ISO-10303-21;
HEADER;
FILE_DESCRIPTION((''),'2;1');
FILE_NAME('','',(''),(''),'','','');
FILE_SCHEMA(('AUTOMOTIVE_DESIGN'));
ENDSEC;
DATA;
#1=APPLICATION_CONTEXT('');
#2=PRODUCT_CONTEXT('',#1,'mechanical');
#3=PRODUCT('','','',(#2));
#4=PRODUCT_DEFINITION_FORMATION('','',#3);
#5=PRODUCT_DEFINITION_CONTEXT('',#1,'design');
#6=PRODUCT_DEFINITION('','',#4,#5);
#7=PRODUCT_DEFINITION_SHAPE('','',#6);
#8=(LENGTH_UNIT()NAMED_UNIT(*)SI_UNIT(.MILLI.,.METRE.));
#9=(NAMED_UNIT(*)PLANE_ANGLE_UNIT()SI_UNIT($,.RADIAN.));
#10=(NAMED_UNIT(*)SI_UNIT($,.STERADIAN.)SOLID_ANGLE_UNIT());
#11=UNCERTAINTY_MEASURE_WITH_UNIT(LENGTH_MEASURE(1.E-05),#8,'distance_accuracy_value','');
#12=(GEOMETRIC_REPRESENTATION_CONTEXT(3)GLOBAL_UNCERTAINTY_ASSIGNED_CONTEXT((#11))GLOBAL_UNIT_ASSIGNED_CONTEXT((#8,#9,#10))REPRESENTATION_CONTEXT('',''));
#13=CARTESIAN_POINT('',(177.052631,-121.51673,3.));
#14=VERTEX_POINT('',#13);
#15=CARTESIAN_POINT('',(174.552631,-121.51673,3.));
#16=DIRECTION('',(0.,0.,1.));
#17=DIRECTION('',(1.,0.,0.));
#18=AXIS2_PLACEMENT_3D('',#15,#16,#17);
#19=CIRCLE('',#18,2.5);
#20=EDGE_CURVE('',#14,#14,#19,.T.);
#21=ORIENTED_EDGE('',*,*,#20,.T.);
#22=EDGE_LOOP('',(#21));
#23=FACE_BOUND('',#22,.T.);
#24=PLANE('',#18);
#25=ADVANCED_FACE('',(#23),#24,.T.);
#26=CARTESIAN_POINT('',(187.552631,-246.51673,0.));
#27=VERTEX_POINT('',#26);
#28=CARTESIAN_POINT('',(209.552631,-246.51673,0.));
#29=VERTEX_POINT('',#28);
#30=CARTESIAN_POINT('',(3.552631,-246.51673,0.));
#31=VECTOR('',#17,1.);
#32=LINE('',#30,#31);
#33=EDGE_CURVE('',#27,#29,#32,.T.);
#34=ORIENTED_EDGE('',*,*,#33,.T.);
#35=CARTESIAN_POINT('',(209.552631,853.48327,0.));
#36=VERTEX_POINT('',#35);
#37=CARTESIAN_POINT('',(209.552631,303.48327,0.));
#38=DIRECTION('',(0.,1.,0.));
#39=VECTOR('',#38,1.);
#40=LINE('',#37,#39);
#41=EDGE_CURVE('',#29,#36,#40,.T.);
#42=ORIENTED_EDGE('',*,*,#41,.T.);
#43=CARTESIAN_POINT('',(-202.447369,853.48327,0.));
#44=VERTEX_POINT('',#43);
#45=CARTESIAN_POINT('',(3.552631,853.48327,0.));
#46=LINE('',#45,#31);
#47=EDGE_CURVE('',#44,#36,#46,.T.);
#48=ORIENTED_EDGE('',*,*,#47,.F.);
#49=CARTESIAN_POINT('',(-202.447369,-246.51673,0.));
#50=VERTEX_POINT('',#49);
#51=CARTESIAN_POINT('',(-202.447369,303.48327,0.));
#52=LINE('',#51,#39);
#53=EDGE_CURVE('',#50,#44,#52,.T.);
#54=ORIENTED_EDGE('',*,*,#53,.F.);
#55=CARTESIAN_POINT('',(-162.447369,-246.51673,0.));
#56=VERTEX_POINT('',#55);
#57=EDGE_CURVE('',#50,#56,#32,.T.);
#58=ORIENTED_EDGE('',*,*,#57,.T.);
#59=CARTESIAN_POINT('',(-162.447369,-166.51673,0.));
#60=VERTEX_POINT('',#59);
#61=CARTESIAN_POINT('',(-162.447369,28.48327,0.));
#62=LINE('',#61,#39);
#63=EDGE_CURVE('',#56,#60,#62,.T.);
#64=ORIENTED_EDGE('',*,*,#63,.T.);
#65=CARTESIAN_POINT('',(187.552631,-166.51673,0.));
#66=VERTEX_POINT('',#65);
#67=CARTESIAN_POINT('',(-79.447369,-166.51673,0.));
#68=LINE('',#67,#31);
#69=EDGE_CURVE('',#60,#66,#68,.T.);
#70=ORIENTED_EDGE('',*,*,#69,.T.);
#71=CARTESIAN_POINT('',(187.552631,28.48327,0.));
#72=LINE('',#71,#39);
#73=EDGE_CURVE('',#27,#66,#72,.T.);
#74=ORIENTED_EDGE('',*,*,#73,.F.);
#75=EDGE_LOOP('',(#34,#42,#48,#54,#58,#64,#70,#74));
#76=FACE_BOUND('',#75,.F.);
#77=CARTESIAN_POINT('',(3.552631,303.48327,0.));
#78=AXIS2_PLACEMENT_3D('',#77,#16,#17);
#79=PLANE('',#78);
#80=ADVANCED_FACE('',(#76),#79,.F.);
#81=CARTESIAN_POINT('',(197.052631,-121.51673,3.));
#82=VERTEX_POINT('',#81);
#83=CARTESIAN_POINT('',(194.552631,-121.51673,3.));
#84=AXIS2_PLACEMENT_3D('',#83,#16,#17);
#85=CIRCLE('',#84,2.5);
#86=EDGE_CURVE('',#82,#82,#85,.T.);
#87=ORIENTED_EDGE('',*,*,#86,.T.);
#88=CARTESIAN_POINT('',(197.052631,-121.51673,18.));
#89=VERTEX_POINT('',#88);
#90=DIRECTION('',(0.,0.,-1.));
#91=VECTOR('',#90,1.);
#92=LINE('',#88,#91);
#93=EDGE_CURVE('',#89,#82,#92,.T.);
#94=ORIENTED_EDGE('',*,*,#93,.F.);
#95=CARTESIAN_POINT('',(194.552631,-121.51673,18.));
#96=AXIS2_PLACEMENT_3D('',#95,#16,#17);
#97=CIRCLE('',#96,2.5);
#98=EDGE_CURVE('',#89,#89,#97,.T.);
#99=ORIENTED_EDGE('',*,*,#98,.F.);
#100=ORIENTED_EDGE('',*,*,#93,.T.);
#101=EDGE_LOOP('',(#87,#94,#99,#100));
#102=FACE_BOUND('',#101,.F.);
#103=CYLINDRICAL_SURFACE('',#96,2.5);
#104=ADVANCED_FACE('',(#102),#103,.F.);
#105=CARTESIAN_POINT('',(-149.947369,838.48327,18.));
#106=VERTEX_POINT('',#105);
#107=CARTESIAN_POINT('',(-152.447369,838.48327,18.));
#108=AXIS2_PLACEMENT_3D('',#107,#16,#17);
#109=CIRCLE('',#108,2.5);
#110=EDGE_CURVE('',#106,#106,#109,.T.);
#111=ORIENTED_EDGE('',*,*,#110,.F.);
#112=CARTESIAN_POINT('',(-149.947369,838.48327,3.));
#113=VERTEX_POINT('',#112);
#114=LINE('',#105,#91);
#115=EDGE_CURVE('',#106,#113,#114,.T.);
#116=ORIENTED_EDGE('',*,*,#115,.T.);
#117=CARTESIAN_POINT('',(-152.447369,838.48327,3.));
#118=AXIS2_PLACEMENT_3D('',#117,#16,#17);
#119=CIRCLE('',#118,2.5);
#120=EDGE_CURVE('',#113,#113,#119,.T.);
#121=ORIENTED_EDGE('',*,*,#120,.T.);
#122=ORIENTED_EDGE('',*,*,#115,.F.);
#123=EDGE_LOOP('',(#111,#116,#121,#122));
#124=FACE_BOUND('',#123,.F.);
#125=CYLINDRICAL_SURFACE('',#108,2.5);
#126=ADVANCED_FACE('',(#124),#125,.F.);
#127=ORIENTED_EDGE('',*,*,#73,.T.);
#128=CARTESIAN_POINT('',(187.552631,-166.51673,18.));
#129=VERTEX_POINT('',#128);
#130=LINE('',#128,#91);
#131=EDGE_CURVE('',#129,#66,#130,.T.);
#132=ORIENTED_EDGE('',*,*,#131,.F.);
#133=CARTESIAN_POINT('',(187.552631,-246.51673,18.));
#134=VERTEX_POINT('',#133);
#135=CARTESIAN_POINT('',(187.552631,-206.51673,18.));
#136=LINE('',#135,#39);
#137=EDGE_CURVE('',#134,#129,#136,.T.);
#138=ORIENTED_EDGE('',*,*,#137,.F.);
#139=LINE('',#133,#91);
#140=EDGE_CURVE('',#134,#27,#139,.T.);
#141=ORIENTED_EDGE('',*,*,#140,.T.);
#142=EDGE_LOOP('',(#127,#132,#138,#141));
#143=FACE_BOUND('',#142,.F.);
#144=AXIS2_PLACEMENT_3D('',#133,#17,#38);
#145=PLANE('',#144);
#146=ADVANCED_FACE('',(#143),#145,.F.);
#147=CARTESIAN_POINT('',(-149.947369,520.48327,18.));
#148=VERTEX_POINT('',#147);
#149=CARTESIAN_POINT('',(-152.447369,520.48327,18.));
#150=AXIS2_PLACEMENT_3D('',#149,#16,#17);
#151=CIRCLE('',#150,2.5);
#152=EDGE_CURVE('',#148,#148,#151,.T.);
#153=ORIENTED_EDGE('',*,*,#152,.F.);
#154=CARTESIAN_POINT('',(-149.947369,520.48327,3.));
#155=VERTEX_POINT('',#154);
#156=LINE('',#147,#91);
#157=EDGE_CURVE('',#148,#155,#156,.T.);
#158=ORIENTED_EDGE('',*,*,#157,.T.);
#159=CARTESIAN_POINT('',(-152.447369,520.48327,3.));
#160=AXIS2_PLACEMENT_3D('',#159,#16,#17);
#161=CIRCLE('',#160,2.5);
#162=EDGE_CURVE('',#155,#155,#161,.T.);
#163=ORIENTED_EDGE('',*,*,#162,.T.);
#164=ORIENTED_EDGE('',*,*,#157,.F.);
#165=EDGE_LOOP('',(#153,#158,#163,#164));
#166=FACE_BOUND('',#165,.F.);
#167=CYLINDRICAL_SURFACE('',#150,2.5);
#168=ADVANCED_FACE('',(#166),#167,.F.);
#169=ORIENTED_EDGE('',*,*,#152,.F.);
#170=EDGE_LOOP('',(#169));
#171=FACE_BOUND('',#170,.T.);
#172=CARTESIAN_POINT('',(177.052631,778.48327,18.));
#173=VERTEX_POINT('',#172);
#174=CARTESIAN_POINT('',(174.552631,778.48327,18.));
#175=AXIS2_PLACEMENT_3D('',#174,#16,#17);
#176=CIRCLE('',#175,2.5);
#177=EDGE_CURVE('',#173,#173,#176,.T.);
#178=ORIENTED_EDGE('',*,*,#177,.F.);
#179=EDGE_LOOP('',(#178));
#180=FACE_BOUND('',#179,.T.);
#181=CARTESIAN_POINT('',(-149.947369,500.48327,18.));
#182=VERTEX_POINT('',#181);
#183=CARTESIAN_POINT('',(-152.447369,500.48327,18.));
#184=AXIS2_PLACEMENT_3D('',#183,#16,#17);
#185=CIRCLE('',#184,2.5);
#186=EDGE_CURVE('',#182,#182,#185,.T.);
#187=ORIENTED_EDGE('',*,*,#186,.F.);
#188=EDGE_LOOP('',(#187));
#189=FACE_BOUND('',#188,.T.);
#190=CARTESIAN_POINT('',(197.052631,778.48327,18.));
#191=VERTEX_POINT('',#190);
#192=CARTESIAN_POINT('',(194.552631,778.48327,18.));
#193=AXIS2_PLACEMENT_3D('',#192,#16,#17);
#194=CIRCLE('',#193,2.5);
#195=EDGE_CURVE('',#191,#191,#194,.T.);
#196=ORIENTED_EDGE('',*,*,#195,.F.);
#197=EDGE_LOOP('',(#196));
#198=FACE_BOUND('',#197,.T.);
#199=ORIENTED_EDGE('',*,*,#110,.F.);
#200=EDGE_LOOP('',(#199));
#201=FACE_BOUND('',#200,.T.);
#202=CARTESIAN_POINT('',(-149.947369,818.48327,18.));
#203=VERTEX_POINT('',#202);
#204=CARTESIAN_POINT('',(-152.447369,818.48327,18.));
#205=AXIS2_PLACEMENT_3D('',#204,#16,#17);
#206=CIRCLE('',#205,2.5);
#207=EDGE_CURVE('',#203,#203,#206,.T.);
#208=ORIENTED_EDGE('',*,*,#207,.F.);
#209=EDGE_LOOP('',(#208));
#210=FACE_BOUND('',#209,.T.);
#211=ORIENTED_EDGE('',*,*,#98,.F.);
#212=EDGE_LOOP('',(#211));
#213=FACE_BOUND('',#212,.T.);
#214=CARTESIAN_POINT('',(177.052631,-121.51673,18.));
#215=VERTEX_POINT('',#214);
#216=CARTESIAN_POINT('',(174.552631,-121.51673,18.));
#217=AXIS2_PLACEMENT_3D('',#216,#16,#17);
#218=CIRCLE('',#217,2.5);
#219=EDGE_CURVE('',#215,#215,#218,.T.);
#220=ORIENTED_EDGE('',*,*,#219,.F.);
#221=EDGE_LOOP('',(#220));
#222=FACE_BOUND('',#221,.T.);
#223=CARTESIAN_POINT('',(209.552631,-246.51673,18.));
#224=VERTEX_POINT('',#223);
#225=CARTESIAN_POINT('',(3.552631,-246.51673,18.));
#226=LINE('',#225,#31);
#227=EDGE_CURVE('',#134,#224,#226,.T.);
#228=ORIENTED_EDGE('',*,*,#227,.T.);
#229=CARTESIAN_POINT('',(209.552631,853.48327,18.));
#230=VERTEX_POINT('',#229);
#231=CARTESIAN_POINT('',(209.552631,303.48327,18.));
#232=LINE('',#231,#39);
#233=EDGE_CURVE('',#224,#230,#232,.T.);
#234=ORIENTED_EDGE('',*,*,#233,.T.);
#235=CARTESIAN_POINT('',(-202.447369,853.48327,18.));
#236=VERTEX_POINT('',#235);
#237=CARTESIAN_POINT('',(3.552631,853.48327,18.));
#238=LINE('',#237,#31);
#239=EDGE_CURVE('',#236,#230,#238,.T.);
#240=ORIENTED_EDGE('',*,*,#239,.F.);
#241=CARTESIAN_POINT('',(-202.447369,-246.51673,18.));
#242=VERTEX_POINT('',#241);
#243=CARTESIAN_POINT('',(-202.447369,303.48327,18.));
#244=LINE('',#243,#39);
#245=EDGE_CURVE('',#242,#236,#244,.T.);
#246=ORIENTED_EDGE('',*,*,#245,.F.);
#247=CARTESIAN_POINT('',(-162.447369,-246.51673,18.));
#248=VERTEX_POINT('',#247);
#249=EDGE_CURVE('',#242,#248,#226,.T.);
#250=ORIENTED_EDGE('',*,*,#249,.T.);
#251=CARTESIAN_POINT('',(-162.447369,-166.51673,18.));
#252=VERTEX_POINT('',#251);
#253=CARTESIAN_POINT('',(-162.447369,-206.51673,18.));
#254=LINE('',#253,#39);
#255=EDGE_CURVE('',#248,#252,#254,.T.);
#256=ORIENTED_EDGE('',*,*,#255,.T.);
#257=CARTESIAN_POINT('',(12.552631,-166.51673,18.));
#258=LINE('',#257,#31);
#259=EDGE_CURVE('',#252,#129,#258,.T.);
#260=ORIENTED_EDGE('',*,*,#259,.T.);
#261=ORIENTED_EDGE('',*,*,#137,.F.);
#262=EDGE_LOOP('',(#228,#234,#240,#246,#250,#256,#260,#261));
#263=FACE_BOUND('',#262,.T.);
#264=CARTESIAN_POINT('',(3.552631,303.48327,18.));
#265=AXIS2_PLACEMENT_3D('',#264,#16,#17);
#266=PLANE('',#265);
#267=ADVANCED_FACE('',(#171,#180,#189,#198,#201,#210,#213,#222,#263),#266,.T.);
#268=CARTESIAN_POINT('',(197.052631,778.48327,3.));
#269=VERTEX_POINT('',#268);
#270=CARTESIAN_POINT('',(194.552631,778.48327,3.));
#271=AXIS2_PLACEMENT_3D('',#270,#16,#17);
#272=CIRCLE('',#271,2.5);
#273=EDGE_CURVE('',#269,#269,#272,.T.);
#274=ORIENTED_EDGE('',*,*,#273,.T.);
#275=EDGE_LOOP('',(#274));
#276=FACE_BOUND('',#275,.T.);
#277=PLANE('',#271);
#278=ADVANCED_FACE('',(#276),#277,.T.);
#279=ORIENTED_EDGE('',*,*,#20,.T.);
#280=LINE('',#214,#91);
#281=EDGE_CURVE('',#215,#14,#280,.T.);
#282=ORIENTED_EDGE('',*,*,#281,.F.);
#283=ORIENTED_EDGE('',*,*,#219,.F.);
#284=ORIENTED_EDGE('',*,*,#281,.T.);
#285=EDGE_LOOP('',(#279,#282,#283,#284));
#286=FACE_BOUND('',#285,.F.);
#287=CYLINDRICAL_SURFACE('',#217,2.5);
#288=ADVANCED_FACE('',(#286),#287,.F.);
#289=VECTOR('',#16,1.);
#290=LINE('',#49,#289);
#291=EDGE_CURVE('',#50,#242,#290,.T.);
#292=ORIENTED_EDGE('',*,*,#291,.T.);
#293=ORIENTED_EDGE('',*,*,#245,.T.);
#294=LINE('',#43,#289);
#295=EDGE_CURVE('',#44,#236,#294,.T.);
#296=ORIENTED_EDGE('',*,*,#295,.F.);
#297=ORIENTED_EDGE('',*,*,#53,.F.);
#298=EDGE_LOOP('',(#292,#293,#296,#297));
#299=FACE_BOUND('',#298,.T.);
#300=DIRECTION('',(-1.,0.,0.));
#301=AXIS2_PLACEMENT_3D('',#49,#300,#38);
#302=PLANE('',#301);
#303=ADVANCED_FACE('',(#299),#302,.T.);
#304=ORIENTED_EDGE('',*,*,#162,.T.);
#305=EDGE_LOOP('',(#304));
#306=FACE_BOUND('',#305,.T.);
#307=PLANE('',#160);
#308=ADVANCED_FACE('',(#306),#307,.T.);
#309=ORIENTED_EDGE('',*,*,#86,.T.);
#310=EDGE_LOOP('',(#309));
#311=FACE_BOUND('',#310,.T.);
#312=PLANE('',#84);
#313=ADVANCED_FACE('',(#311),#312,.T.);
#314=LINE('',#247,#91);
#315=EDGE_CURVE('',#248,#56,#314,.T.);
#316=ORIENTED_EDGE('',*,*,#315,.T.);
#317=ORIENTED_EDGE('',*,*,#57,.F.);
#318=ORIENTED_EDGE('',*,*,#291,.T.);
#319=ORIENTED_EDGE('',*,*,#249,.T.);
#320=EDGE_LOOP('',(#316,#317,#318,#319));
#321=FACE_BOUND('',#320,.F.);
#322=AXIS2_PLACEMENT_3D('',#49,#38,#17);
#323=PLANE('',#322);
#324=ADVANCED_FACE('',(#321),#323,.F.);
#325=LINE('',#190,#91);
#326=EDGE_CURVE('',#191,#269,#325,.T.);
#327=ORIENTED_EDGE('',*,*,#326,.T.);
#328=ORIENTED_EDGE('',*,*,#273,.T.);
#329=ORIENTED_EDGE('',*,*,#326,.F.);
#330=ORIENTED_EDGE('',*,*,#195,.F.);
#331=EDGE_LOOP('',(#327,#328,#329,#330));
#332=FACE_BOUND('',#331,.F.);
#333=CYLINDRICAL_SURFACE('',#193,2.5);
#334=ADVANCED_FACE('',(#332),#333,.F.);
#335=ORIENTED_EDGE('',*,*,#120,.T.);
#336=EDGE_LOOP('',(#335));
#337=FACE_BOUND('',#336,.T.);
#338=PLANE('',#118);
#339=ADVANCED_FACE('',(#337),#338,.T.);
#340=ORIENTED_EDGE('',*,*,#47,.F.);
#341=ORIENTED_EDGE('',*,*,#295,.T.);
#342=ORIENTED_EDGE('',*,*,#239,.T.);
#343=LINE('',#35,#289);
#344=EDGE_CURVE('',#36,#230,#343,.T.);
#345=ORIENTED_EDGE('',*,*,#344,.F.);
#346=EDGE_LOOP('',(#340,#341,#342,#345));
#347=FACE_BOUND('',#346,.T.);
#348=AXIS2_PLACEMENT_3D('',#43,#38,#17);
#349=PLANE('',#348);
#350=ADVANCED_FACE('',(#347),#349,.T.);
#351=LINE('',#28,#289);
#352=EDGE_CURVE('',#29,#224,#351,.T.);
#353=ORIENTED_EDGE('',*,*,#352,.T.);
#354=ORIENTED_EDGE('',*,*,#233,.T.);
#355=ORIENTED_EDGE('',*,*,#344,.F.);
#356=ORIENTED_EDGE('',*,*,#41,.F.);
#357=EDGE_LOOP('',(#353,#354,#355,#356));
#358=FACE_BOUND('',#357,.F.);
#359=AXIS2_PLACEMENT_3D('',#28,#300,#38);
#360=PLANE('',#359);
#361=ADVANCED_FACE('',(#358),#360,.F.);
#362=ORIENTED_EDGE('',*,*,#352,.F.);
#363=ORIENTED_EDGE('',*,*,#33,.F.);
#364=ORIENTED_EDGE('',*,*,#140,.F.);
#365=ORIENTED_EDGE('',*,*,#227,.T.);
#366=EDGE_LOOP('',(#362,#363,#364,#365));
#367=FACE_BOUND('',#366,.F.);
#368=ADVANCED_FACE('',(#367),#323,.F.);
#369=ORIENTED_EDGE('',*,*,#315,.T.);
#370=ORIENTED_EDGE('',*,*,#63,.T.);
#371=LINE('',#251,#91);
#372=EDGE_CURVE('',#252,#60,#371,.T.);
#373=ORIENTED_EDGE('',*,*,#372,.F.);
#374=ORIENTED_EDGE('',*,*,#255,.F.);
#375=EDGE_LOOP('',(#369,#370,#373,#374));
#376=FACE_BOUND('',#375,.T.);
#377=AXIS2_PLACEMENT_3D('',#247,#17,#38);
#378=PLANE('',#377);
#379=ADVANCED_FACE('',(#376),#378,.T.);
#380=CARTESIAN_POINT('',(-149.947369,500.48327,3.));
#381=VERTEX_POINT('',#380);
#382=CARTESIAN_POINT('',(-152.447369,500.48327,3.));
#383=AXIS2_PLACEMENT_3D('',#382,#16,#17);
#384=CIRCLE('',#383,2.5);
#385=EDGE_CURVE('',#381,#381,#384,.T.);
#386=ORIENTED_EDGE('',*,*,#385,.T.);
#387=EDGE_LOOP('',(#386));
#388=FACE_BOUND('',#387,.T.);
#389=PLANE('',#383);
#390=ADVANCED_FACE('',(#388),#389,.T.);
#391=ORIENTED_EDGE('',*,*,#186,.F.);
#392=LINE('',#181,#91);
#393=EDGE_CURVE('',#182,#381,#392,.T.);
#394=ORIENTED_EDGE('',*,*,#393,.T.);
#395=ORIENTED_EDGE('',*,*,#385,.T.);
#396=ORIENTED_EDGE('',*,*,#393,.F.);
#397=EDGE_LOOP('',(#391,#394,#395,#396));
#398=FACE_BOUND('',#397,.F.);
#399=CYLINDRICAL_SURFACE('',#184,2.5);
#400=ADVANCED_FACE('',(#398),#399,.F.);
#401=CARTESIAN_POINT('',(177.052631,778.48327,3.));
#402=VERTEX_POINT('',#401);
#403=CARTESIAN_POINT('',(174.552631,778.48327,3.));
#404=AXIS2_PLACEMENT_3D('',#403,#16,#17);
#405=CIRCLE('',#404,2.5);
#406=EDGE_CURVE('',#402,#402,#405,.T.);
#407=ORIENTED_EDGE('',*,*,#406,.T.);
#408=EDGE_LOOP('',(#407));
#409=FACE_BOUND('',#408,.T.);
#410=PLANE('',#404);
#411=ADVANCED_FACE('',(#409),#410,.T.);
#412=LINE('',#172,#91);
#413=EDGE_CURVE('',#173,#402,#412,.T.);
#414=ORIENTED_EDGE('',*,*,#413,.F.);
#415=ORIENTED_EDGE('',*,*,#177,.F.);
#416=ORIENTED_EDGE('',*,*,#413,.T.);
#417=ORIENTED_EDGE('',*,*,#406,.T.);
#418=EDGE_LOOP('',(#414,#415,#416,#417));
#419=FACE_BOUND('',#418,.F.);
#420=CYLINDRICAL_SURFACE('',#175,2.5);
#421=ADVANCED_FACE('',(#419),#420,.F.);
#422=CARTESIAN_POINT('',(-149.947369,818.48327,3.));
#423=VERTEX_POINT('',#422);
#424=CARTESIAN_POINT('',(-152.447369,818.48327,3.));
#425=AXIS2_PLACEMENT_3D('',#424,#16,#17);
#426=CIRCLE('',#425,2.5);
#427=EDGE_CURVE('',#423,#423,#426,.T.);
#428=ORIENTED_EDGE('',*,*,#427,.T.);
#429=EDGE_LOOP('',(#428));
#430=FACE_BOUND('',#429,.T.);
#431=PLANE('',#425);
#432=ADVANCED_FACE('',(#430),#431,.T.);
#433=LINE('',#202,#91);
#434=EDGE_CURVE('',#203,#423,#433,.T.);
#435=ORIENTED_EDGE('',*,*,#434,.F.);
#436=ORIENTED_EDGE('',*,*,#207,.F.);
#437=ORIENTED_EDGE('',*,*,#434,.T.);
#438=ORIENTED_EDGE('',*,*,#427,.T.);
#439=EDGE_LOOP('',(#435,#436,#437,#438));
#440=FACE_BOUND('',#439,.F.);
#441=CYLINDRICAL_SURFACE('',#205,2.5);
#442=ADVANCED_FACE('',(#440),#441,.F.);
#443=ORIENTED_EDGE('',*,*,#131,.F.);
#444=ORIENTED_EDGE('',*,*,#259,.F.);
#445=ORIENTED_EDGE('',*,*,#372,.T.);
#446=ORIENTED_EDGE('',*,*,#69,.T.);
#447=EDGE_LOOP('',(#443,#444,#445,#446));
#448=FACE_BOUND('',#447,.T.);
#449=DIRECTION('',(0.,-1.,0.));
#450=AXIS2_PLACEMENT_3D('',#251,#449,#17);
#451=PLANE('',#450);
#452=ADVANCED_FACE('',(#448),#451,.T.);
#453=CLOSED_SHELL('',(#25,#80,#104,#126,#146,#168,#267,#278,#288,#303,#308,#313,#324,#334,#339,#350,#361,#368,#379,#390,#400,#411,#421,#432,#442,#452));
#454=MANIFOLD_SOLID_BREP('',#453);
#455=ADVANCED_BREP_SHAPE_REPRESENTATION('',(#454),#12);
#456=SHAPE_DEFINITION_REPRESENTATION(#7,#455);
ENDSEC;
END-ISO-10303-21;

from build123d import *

# Parameters (mm, degrees)
F0_W     = 412
F0_H     = 1100
F1_DEPTH = 18
F2_W     = 350
F2_H     = 80
F3_DEPTH = 25
F4_R     = 2.5
F5_DEPTH = 15


with BuildPart() as f1:
    # F0 (on Top) → F1 (new body)
    with BuildSketch(Plane.XY):
        with Locations((3.552631, 303.48327)):
            Rectangle(F0_W, F0_H)
    extrude(amount=F1_DEPTH)

    # F2 (on face) → F3 (cut)
    with BuildSketch(Plane.XY.offset(18)):
        with Locations((12.552631, -206.51673)):
            Rectangle(F2_W, F2_H)
    extrude(amount=-F3_DEPTH, mode=Mode.SUBTRACT)

    # F4 (on face) → F5 (cut)
    with BuildSketch(Plane.XY.offset(18)):
        with Locations((194.552631, 778.48327)):
            Circle(F4_R)
        with Locations((174.552631, 778.48327)):
            Circle(F4_R)
        with Locations((-152.447369, 818.48327)):
            Circle(F4_R)
        with Locations((-152.447369, 838.48327)):
            Circle(F4_R)
        with Locations((194.552631, -121.51673)):
            Circle(F4_R)
        with Locations((174.552631, -121.51673)):
            Circle(F4_R)
        with Locations((-152.447369, 520.48327)):
            Circle(F4_R)
        with Locations((-152.447369, 500.48327)):
            Circle(F4_R)
    extrude(amount=-F5_DEPTH, mode=Mode.SUBTRACT)


solid = f1.part
